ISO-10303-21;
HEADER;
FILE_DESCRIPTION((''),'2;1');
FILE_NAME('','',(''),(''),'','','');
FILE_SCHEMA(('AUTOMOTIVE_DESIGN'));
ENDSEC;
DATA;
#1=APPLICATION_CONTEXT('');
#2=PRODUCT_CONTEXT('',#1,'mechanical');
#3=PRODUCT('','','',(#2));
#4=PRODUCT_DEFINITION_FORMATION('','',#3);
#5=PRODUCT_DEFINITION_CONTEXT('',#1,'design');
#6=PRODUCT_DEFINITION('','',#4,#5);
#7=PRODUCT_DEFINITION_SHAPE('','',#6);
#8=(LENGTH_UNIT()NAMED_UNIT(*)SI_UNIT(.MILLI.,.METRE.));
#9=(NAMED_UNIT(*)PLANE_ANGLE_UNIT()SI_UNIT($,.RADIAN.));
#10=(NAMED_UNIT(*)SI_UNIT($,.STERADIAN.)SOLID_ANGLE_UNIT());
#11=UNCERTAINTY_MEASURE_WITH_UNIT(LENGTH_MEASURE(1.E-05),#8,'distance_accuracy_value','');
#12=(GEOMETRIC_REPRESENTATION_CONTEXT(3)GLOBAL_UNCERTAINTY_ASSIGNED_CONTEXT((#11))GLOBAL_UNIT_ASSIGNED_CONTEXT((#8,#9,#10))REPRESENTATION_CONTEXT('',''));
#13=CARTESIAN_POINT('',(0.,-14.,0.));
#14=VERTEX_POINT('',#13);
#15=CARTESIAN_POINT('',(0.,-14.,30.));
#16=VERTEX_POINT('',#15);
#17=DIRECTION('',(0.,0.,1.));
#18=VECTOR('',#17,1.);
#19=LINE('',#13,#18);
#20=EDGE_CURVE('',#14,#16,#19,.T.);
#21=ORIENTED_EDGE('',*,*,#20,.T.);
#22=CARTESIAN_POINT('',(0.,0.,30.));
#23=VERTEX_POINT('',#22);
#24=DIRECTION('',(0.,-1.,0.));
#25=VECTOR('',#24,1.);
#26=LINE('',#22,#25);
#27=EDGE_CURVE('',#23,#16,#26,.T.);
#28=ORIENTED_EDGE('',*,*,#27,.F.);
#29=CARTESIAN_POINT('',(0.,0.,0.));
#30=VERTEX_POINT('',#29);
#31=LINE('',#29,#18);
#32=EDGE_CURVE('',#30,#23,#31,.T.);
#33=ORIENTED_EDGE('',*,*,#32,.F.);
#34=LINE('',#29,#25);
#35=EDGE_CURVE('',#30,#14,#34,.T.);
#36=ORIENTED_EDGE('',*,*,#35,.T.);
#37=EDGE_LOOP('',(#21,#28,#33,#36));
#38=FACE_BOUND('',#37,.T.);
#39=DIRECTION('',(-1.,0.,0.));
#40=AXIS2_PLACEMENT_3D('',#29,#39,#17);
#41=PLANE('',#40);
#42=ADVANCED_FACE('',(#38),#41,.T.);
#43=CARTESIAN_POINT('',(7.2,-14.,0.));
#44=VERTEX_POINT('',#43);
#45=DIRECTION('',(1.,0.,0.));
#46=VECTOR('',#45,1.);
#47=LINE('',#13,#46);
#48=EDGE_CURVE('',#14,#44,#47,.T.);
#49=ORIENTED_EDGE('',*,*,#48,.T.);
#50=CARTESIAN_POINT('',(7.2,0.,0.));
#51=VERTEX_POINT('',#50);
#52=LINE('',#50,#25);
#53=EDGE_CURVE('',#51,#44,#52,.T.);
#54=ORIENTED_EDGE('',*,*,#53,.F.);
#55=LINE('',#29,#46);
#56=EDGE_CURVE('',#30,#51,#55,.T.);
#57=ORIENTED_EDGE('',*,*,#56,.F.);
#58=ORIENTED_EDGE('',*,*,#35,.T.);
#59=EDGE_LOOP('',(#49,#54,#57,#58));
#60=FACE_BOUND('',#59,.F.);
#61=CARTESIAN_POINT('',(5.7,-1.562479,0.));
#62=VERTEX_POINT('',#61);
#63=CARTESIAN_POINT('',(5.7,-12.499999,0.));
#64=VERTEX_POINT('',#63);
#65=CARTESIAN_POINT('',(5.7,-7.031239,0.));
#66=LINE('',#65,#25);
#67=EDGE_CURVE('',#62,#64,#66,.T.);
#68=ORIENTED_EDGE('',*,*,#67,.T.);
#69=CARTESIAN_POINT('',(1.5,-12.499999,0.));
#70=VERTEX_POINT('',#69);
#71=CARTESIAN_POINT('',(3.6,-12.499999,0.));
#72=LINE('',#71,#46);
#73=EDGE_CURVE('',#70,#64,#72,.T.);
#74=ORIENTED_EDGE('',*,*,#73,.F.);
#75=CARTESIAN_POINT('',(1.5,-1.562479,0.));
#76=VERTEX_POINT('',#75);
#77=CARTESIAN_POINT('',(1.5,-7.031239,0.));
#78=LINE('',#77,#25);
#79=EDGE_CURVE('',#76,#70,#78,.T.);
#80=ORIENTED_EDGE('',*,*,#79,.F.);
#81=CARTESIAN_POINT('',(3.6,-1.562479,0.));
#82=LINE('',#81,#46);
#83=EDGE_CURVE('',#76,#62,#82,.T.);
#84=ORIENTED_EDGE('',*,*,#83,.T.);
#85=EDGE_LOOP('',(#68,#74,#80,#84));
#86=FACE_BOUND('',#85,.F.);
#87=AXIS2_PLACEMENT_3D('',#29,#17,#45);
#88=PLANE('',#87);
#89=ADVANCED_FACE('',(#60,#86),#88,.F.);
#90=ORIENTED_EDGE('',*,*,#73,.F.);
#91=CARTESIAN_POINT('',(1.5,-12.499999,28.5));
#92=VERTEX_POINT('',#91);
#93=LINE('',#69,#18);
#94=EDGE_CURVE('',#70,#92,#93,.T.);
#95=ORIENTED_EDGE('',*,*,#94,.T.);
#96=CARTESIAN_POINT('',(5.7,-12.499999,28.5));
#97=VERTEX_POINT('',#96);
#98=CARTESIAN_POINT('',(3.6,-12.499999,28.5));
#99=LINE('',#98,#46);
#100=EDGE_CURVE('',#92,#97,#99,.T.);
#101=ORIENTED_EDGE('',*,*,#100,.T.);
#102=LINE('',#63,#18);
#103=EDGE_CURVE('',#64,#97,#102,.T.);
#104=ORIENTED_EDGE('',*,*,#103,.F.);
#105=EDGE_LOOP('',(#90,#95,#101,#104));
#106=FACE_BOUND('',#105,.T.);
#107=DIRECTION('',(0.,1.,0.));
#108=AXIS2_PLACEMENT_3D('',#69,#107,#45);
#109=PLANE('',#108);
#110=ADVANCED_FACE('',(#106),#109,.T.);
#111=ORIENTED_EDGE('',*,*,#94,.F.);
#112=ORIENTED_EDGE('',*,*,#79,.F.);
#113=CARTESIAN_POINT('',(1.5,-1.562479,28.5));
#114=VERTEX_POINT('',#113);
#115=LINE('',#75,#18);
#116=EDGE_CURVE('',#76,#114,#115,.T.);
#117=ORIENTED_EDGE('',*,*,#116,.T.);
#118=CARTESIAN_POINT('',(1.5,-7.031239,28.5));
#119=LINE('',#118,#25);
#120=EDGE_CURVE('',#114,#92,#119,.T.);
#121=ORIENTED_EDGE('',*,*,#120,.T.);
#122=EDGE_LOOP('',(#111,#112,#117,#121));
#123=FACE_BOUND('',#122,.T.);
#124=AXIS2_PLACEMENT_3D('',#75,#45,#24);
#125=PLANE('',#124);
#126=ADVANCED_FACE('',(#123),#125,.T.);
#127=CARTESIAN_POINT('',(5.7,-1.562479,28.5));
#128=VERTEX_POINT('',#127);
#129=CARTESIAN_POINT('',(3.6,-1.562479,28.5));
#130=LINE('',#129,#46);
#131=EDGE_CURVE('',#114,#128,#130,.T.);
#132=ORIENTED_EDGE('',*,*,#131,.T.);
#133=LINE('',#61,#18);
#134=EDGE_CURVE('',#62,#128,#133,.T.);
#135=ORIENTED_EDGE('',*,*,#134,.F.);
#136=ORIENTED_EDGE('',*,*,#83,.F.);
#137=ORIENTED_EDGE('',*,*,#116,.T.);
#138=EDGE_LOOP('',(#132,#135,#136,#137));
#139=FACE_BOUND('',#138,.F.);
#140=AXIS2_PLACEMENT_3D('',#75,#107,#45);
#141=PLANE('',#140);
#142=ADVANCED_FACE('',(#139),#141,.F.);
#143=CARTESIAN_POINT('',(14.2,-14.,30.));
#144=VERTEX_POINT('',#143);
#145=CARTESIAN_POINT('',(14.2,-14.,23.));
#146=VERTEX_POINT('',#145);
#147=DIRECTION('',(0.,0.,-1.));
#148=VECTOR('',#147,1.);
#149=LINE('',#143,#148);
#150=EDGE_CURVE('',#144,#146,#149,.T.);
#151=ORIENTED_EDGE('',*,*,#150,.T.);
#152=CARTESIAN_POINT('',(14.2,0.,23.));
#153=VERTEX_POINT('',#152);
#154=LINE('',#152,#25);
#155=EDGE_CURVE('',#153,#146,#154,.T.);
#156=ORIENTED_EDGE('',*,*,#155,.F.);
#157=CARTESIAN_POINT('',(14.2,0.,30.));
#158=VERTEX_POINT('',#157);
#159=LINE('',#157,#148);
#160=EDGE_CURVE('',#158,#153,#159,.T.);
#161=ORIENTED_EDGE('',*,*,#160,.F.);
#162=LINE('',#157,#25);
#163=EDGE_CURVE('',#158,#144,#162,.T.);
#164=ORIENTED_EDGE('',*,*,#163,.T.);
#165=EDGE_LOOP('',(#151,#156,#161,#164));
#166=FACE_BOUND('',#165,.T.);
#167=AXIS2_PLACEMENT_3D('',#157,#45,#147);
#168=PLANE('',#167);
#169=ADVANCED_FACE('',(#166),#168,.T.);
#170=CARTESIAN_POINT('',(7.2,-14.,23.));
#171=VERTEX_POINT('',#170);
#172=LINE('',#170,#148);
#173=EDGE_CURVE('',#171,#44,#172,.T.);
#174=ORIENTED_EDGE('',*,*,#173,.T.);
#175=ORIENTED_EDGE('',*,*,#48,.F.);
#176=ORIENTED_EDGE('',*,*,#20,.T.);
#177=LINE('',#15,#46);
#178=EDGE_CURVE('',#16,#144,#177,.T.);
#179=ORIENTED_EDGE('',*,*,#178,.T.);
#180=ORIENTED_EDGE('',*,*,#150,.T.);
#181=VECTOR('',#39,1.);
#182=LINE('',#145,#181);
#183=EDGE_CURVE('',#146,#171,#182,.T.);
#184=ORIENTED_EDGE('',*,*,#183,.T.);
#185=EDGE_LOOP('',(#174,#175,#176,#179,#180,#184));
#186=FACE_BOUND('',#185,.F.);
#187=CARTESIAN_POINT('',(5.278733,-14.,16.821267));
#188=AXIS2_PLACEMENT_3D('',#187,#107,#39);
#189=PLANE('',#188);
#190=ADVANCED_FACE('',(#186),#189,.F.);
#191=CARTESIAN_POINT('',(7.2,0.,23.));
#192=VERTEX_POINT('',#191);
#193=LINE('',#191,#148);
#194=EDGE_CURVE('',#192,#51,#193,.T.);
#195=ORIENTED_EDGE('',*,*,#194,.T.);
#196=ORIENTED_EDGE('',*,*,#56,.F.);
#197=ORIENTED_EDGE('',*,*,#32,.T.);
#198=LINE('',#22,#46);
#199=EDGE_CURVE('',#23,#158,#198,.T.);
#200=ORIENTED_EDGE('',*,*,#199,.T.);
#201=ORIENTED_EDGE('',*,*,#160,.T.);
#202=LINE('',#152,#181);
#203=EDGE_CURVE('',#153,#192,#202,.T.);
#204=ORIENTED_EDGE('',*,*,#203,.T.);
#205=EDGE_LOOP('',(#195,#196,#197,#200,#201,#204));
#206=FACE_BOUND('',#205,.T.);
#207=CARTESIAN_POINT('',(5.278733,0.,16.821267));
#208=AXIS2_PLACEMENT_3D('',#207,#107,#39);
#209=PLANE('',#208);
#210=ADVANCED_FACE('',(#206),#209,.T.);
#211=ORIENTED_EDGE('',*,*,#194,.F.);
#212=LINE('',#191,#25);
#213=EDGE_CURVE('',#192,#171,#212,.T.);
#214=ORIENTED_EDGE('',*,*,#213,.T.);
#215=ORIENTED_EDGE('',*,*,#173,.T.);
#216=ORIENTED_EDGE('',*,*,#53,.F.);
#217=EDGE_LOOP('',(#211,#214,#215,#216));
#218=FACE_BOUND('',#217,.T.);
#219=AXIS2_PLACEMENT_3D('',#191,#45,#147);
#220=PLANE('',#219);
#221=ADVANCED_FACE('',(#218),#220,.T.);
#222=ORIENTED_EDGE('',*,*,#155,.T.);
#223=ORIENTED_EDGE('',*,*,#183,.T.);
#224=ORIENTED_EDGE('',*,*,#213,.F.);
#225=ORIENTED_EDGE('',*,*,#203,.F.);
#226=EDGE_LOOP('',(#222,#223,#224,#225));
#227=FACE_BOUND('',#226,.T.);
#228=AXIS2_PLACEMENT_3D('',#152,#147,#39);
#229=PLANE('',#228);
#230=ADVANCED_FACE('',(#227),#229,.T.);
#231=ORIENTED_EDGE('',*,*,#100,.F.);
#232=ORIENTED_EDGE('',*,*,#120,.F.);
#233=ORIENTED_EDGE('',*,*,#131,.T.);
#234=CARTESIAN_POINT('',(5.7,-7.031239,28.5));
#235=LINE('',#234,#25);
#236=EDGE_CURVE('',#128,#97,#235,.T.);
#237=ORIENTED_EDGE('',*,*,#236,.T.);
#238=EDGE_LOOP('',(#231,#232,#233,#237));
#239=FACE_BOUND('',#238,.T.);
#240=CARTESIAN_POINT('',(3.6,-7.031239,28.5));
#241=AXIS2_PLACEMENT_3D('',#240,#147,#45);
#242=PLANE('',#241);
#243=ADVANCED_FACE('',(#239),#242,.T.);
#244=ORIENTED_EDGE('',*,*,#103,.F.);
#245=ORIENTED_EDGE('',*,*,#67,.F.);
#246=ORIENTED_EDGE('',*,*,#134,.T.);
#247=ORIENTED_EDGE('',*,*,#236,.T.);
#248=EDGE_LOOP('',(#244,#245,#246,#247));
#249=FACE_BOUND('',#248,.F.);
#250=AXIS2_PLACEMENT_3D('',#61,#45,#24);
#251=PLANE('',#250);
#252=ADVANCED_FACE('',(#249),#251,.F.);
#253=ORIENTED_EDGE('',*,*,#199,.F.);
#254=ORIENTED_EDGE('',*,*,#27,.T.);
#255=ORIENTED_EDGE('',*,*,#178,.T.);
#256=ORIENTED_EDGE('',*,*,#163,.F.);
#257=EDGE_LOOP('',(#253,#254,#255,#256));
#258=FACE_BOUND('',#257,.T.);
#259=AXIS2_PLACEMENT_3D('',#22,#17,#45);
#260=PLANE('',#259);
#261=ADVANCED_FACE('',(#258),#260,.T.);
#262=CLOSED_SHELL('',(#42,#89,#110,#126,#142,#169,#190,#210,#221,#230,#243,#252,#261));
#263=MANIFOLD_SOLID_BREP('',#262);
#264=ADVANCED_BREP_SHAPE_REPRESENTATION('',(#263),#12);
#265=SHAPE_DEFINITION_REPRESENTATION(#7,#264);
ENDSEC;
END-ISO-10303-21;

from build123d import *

# Parameters (mm, degrees)
PAD_DEPTH    = 14
SKETCH001_W  = 4.2
SKETCH001_H  = 10.937521
POCKET_DEPTH = 28.5


with BuildPart() as part:
    # Sketch → Pad (new body)
    with BuildSketch(Plane.XZ):
        Polygon((0, 30), (14.2, 30), (14.2, 23), (7.2, 23), (7.2, 0), (5.7, 0), (1.5, 0), (0, 0), align=None)
    extrude(amount=PAD_DEPTH)

    # Sketch001 → Pocket (cut)
    with BuildSketch(Plane(origin=(0, 0, 0), x_dir=(1, 0, 0), z_dir=(0, 0, -1))):
        with Locations((3.6, 7.031239)):
            Rectangle(SKETCH001_W, SKETCH001_H)
    extrude(amount=-POCKET_DEPTH, mode=Mode.SUBTRACT)


solid = part.part
